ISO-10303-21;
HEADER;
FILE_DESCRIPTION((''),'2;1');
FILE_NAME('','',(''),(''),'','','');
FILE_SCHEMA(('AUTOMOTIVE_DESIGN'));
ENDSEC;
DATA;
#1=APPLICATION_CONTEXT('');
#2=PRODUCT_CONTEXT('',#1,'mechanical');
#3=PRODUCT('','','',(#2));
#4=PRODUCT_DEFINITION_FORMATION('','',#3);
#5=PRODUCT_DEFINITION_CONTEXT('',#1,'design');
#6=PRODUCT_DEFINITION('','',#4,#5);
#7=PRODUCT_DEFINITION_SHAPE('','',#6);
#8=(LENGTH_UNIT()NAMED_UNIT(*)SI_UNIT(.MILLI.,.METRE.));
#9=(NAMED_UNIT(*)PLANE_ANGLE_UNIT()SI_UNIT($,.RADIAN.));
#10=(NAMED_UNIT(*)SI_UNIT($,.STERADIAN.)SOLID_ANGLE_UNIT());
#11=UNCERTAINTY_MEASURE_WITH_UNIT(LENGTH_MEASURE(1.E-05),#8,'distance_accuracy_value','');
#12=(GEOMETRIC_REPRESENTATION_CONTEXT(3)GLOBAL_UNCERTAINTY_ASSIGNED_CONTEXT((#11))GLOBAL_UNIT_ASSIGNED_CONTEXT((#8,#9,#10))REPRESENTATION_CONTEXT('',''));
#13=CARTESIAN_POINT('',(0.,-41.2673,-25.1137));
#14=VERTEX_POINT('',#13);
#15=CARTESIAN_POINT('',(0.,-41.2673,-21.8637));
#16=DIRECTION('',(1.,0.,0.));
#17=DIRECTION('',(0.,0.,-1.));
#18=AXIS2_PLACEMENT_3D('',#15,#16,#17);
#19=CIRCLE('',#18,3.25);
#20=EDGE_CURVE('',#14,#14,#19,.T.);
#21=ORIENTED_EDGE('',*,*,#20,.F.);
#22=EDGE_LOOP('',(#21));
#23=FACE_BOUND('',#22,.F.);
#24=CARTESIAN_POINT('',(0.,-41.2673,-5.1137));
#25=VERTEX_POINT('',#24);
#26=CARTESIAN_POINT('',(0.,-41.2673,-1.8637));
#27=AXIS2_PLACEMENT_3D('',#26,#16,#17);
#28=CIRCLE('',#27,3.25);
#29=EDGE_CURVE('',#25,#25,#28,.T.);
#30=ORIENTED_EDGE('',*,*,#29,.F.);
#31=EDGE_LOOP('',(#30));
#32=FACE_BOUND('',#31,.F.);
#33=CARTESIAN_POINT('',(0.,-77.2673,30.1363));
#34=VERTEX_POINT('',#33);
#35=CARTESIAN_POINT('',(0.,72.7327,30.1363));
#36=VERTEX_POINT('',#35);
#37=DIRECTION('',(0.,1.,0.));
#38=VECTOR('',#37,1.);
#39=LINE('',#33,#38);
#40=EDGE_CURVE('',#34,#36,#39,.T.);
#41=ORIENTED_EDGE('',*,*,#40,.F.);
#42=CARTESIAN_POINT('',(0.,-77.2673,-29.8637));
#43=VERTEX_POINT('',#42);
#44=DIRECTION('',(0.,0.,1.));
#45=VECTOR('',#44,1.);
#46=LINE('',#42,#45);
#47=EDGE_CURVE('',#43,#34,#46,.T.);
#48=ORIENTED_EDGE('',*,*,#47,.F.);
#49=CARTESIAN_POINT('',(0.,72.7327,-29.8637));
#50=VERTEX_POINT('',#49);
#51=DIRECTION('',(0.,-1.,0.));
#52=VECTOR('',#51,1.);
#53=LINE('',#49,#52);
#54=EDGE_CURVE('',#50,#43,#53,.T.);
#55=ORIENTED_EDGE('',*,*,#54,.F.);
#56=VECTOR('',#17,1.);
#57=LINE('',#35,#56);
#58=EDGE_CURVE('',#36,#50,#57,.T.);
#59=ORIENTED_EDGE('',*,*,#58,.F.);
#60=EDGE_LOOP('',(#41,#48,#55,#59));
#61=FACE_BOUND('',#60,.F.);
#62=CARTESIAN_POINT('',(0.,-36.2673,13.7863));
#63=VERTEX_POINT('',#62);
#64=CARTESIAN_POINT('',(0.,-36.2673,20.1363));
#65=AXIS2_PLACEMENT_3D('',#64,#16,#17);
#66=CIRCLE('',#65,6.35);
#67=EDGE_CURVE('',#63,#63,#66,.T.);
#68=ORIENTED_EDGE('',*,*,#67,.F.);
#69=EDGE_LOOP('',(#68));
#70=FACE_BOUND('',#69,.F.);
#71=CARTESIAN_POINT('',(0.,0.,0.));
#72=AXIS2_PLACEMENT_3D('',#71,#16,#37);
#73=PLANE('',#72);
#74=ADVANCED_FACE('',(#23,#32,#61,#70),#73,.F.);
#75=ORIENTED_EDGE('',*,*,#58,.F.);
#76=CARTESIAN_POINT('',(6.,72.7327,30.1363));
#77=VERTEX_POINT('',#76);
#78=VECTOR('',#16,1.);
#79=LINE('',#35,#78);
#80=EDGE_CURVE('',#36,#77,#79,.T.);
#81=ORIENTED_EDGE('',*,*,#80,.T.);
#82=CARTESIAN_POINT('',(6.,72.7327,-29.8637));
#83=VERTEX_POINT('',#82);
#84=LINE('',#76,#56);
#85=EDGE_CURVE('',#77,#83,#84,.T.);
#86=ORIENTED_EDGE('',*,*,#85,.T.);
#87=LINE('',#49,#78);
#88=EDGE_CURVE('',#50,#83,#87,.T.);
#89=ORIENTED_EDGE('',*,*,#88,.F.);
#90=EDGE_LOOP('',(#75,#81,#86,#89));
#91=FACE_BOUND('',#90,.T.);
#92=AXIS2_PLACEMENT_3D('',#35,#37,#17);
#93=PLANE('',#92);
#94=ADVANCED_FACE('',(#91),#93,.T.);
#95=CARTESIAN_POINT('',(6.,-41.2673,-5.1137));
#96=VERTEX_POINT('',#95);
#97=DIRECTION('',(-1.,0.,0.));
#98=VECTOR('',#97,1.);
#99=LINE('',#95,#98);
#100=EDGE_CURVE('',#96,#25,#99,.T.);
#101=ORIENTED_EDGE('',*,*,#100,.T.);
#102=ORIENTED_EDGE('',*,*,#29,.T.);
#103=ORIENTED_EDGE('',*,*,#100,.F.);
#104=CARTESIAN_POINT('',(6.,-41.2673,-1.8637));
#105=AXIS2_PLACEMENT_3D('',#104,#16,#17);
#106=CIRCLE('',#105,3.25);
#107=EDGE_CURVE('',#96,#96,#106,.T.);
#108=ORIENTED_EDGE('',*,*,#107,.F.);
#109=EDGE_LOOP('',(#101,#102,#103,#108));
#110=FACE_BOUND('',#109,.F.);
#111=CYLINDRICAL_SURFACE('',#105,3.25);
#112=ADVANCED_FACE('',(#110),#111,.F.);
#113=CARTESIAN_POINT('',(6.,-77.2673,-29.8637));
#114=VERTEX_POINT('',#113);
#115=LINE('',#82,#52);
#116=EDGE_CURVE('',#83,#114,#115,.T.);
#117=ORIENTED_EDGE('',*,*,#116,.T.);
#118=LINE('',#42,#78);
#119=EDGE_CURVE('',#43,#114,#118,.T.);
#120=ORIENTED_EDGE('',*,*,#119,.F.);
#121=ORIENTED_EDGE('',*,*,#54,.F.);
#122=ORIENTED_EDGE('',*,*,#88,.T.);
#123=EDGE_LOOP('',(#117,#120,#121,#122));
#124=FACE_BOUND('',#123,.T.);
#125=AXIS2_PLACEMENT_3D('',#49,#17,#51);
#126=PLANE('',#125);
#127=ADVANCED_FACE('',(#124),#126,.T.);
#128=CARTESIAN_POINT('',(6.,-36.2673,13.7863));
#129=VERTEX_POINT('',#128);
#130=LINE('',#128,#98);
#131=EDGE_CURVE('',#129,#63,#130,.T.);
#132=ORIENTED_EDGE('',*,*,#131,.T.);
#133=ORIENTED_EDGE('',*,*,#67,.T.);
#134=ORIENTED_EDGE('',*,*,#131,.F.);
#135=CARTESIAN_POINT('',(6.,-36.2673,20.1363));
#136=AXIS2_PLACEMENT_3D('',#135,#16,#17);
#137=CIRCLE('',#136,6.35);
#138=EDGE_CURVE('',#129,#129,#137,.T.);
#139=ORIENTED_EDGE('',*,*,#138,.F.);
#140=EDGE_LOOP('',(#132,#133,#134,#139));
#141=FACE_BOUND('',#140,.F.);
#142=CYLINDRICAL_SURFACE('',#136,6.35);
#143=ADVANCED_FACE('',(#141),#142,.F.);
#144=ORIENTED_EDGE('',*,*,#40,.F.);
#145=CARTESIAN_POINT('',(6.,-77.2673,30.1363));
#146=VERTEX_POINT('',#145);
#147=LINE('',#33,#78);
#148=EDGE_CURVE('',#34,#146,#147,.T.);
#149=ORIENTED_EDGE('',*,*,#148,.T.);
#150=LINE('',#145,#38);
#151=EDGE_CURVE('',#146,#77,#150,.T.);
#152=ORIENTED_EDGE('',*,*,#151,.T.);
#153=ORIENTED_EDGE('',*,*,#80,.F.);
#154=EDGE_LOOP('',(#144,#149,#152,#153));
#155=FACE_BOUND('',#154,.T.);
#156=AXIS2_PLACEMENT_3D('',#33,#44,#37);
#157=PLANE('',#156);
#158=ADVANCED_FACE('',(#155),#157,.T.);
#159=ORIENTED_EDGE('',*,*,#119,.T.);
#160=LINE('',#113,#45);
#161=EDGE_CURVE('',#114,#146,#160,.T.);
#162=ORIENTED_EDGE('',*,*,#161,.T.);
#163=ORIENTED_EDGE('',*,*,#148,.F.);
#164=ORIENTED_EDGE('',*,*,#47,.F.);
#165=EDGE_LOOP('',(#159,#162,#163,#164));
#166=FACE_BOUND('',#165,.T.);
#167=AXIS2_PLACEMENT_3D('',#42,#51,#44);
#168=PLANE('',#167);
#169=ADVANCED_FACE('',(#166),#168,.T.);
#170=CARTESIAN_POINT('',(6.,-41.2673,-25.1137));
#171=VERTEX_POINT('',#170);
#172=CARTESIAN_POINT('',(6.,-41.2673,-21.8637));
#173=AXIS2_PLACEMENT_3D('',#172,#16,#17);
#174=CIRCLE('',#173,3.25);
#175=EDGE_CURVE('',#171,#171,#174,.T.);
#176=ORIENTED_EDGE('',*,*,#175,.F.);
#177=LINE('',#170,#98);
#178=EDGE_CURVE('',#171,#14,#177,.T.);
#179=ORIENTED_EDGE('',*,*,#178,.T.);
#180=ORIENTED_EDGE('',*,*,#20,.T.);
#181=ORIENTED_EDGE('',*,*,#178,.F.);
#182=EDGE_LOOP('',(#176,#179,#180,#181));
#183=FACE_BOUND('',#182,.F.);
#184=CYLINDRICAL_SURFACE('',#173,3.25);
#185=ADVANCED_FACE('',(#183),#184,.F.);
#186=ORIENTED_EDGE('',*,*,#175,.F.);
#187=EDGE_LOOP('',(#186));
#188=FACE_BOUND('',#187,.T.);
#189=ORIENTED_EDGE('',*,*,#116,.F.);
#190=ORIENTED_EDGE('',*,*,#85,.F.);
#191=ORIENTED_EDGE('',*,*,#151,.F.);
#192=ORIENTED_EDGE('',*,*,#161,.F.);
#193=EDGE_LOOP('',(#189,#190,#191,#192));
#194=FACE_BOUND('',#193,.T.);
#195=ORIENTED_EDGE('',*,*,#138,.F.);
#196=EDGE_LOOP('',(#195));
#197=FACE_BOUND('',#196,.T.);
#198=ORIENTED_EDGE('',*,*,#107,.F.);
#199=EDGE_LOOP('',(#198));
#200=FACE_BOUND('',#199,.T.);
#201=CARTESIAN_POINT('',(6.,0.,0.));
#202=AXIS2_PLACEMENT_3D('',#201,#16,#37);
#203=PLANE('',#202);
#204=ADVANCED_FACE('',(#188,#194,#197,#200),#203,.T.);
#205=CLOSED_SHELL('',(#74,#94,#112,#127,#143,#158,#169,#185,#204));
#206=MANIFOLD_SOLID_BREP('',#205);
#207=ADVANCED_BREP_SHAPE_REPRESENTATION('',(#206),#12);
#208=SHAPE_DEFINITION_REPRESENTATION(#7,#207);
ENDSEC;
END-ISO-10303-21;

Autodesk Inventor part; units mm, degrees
ref_plane "YZ Plane" through (0, 0, 0) normal (1, 0, 0) x (0, 1, 0)
ref_plane "XZ Plane" through (0, 0, 0) normal (0, 1, 0) x (-1, 0, 0)
ref_plane "XY Plane" through (0, 0, 0) normal (0, 0, 1) x (1, 0, 0)
sketch "Sketch1" plane through (0, 0, 0) normal (1, 0, 0) x (0, 1, 0)
  point P0 (0, 0)
sketch "Sketch2" plane through (0, 0, 0) normal (1, 0, 0) x (0, 1, 0)
  line L0 (72.7327, -29.8637) -> (-77.2673, -29.8637)
  line L1 (-77.2673, -29.8637) -> (-77.2673, 30.1363)
  line L2 (-77.2673, 30.1363) -> (72.7327, 30.1363)
  line L3 (72.7327, 30.1363) -> (72.7327, -29.8637)
  point P0 (0, 0)
  dimension "d0" = 150
  dimension "d1" = 60
extrude "Extrusion1" add sketch "Sketch2" along normal blind 6
sketch "Sketch3" plane through (6, 0, 0) normal (1, 0, 0) x (0, 0, -1)
  line L0 (-30.1363, -77.2673) -> (29.8637, -77.2673) projected
  circle A0 centre (21.8637, -41.2673) radius 3.25
  circle A1 centre (1.8637, -41.2673) radius 3.25
  circle A2 centre (-20.1363, -36.2673) radius 6.35
  line L1 (29.8637, -77.2673) -> (29.8637, 72.7327) projected
  line L2 (-30.1363, 72.7327) -> (-30.1363, -77.2673) projected
  point P0 (0, 0)
  dimension "d5" = 6.5
  dimension "d6" = 6.5
  dimension "d7" = 12.7
  dimension "d8" = 8
  dimension "d9" = 20
  dimension "d10" = 10
  dimension "d14" = 41
extrude "Extrusion2" cut sketch "Sketch3" against normal blind 6
properties part number "Side_Plate1"
